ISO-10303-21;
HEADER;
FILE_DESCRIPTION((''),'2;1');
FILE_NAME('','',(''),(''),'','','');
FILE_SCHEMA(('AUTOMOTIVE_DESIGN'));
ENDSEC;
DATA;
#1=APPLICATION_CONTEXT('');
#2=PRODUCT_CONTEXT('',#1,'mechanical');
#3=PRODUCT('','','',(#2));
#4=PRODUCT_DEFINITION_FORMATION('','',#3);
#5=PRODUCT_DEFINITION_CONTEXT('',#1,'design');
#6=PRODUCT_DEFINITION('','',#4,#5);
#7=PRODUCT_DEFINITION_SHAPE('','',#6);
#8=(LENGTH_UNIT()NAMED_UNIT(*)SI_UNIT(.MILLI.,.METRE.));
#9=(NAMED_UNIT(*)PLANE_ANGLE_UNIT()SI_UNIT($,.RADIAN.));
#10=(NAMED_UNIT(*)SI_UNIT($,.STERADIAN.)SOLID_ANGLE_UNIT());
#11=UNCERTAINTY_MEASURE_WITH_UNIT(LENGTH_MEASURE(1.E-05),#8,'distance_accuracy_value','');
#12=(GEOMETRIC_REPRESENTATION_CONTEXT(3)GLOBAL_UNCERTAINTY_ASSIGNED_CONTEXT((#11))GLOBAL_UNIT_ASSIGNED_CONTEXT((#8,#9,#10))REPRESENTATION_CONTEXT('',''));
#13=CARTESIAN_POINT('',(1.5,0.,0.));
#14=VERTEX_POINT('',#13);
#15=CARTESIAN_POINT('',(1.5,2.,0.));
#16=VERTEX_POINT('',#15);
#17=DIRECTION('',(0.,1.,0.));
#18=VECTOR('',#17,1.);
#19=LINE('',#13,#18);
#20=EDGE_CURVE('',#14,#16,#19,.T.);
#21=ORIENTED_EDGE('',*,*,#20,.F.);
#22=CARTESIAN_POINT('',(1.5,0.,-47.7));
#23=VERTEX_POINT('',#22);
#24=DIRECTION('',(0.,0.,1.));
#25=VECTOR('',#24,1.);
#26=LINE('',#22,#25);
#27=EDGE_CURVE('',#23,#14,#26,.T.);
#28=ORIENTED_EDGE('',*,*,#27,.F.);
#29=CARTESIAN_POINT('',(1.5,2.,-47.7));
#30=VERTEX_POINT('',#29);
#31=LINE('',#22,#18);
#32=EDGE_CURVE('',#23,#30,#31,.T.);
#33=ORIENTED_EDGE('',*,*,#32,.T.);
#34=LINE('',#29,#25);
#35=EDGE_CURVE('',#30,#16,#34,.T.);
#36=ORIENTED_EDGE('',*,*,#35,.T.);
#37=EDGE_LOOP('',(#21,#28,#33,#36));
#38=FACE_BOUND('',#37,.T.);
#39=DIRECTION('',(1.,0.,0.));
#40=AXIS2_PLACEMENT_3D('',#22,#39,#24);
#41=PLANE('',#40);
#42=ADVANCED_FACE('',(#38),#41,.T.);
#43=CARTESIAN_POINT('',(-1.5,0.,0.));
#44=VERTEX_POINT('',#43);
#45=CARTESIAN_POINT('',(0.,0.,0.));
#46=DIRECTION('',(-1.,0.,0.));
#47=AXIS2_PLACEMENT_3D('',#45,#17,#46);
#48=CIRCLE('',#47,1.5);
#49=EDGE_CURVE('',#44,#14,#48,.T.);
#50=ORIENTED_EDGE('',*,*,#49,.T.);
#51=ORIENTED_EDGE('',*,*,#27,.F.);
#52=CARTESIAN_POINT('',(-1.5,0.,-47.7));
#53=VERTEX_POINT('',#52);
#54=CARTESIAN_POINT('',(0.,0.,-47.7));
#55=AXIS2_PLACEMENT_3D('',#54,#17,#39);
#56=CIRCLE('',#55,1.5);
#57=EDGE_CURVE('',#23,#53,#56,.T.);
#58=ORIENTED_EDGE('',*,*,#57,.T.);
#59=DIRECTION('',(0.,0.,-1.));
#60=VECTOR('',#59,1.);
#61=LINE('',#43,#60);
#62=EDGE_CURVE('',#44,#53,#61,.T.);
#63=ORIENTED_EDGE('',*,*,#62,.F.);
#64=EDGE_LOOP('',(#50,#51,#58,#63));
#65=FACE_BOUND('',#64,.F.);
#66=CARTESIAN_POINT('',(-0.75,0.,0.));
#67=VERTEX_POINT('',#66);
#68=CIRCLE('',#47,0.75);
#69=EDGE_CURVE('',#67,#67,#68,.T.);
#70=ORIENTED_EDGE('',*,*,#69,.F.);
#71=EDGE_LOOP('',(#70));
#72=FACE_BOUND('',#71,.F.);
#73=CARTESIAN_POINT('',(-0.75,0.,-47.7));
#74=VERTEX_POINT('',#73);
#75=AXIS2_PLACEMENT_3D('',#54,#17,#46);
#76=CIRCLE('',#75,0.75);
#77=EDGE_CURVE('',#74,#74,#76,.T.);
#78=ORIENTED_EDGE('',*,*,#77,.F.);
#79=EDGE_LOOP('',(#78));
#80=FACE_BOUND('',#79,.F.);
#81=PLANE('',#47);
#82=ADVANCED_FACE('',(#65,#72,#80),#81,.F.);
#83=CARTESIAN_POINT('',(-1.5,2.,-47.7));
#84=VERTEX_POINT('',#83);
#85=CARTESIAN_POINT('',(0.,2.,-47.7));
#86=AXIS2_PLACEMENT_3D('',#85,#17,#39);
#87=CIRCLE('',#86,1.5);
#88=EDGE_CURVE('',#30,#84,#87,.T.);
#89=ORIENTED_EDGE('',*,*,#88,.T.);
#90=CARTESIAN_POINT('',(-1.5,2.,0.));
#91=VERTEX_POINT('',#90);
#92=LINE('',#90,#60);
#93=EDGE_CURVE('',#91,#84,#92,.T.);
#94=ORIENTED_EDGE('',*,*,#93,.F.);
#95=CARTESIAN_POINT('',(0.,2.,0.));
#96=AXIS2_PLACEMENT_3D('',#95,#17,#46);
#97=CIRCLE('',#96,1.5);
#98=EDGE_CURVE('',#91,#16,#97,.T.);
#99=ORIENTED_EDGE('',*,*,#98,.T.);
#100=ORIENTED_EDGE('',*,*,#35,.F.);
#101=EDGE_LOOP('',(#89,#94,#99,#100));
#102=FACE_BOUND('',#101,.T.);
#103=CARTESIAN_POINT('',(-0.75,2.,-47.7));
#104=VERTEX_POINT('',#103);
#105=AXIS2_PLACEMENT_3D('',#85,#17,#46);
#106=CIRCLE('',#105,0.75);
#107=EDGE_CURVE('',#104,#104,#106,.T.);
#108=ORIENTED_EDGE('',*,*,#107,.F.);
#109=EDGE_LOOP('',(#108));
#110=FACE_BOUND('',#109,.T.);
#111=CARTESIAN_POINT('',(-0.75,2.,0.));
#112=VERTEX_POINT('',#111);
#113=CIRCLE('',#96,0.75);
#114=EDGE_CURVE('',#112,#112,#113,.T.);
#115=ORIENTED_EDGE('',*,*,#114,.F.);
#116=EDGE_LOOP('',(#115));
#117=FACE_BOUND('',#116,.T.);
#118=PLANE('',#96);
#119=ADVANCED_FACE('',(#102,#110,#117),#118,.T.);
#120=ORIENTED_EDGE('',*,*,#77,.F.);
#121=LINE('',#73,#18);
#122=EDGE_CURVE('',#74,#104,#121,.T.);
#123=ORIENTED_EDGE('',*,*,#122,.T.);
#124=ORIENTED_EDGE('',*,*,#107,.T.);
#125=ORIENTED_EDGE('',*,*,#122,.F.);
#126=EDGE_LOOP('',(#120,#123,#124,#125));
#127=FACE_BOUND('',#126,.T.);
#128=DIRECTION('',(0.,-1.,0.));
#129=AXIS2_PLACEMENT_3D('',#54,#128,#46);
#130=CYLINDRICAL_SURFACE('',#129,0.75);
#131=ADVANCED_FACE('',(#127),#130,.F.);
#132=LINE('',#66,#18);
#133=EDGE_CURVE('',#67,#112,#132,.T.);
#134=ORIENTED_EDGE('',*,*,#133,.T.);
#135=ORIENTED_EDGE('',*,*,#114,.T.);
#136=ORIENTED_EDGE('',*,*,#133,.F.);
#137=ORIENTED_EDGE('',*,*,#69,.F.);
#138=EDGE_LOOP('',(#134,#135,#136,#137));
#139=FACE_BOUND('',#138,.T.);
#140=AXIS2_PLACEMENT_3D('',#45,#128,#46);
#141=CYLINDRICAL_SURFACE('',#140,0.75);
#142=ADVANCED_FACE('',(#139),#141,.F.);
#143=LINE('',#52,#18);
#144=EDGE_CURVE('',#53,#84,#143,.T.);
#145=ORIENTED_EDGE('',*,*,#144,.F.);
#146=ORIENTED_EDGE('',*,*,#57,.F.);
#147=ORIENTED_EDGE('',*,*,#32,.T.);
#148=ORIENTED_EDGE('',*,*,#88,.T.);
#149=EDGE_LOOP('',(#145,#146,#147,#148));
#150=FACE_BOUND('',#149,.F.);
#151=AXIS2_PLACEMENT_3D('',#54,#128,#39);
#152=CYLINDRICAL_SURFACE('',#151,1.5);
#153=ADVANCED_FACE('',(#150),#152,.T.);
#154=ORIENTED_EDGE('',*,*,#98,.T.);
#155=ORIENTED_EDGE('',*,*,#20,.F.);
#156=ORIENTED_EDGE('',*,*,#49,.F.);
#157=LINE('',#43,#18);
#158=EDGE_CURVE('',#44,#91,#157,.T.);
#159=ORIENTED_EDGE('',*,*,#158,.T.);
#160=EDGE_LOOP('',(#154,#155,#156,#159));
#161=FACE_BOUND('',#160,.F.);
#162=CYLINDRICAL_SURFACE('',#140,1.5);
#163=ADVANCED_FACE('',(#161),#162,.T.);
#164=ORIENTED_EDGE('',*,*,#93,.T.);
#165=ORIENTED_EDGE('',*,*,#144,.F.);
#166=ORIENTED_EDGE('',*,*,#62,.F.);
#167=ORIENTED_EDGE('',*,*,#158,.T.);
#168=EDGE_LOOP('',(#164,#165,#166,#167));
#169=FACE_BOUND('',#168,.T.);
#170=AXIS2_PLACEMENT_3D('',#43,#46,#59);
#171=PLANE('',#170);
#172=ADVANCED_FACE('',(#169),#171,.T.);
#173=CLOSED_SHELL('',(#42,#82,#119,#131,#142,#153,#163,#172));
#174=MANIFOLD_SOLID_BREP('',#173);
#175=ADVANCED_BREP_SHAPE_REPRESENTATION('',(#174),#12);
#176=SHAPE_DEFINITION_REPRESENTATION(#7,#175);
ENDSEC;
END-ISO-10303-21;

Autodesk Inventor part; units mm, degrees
ref_plane "YZ Plane" through (0, 0, 0) normal (1, 0, 0) x (0, 1, 0)
ref_plane "XZ Plane" through (0, 0, 0) normal (0, 1, 0) x (-1, 0, 0)
ref_plane "XY Plane" through (0, 0, 0) normal (0, 0, 1) x (1, 0, 0)
sketch "Sketch1" plane through (0, 0, 0) normal (0, 1, 0) x (-1, 0, 0)
  line L0 (0, 0) -> (0, -47.7) construction
  line L1 (1.5, 0) -> (1.5, -47.7)
  line L2 (-1.5, -47.7) -> (-1.5, 0)
  arc A0 (1.5, 0) -> (-1.5, 0) centre (0, 0) ccw
  arc A1 (-1.5, -47.7) -> (1.5, -47.7) centre (0, -47.7) ccw
  circle A2 centre (0, 0) radius 0.75
  circle A3 centre (0, -47.7) radius 0.75
  point P0 (0, -23.85)
  dimension "d0" = 3
  dimension "d1" = 1.5
  dimension "d2" = 47.7
extrude "Extrusion1" add sketch "Sketch1" along normal blind 2
properties part number "link-2"
